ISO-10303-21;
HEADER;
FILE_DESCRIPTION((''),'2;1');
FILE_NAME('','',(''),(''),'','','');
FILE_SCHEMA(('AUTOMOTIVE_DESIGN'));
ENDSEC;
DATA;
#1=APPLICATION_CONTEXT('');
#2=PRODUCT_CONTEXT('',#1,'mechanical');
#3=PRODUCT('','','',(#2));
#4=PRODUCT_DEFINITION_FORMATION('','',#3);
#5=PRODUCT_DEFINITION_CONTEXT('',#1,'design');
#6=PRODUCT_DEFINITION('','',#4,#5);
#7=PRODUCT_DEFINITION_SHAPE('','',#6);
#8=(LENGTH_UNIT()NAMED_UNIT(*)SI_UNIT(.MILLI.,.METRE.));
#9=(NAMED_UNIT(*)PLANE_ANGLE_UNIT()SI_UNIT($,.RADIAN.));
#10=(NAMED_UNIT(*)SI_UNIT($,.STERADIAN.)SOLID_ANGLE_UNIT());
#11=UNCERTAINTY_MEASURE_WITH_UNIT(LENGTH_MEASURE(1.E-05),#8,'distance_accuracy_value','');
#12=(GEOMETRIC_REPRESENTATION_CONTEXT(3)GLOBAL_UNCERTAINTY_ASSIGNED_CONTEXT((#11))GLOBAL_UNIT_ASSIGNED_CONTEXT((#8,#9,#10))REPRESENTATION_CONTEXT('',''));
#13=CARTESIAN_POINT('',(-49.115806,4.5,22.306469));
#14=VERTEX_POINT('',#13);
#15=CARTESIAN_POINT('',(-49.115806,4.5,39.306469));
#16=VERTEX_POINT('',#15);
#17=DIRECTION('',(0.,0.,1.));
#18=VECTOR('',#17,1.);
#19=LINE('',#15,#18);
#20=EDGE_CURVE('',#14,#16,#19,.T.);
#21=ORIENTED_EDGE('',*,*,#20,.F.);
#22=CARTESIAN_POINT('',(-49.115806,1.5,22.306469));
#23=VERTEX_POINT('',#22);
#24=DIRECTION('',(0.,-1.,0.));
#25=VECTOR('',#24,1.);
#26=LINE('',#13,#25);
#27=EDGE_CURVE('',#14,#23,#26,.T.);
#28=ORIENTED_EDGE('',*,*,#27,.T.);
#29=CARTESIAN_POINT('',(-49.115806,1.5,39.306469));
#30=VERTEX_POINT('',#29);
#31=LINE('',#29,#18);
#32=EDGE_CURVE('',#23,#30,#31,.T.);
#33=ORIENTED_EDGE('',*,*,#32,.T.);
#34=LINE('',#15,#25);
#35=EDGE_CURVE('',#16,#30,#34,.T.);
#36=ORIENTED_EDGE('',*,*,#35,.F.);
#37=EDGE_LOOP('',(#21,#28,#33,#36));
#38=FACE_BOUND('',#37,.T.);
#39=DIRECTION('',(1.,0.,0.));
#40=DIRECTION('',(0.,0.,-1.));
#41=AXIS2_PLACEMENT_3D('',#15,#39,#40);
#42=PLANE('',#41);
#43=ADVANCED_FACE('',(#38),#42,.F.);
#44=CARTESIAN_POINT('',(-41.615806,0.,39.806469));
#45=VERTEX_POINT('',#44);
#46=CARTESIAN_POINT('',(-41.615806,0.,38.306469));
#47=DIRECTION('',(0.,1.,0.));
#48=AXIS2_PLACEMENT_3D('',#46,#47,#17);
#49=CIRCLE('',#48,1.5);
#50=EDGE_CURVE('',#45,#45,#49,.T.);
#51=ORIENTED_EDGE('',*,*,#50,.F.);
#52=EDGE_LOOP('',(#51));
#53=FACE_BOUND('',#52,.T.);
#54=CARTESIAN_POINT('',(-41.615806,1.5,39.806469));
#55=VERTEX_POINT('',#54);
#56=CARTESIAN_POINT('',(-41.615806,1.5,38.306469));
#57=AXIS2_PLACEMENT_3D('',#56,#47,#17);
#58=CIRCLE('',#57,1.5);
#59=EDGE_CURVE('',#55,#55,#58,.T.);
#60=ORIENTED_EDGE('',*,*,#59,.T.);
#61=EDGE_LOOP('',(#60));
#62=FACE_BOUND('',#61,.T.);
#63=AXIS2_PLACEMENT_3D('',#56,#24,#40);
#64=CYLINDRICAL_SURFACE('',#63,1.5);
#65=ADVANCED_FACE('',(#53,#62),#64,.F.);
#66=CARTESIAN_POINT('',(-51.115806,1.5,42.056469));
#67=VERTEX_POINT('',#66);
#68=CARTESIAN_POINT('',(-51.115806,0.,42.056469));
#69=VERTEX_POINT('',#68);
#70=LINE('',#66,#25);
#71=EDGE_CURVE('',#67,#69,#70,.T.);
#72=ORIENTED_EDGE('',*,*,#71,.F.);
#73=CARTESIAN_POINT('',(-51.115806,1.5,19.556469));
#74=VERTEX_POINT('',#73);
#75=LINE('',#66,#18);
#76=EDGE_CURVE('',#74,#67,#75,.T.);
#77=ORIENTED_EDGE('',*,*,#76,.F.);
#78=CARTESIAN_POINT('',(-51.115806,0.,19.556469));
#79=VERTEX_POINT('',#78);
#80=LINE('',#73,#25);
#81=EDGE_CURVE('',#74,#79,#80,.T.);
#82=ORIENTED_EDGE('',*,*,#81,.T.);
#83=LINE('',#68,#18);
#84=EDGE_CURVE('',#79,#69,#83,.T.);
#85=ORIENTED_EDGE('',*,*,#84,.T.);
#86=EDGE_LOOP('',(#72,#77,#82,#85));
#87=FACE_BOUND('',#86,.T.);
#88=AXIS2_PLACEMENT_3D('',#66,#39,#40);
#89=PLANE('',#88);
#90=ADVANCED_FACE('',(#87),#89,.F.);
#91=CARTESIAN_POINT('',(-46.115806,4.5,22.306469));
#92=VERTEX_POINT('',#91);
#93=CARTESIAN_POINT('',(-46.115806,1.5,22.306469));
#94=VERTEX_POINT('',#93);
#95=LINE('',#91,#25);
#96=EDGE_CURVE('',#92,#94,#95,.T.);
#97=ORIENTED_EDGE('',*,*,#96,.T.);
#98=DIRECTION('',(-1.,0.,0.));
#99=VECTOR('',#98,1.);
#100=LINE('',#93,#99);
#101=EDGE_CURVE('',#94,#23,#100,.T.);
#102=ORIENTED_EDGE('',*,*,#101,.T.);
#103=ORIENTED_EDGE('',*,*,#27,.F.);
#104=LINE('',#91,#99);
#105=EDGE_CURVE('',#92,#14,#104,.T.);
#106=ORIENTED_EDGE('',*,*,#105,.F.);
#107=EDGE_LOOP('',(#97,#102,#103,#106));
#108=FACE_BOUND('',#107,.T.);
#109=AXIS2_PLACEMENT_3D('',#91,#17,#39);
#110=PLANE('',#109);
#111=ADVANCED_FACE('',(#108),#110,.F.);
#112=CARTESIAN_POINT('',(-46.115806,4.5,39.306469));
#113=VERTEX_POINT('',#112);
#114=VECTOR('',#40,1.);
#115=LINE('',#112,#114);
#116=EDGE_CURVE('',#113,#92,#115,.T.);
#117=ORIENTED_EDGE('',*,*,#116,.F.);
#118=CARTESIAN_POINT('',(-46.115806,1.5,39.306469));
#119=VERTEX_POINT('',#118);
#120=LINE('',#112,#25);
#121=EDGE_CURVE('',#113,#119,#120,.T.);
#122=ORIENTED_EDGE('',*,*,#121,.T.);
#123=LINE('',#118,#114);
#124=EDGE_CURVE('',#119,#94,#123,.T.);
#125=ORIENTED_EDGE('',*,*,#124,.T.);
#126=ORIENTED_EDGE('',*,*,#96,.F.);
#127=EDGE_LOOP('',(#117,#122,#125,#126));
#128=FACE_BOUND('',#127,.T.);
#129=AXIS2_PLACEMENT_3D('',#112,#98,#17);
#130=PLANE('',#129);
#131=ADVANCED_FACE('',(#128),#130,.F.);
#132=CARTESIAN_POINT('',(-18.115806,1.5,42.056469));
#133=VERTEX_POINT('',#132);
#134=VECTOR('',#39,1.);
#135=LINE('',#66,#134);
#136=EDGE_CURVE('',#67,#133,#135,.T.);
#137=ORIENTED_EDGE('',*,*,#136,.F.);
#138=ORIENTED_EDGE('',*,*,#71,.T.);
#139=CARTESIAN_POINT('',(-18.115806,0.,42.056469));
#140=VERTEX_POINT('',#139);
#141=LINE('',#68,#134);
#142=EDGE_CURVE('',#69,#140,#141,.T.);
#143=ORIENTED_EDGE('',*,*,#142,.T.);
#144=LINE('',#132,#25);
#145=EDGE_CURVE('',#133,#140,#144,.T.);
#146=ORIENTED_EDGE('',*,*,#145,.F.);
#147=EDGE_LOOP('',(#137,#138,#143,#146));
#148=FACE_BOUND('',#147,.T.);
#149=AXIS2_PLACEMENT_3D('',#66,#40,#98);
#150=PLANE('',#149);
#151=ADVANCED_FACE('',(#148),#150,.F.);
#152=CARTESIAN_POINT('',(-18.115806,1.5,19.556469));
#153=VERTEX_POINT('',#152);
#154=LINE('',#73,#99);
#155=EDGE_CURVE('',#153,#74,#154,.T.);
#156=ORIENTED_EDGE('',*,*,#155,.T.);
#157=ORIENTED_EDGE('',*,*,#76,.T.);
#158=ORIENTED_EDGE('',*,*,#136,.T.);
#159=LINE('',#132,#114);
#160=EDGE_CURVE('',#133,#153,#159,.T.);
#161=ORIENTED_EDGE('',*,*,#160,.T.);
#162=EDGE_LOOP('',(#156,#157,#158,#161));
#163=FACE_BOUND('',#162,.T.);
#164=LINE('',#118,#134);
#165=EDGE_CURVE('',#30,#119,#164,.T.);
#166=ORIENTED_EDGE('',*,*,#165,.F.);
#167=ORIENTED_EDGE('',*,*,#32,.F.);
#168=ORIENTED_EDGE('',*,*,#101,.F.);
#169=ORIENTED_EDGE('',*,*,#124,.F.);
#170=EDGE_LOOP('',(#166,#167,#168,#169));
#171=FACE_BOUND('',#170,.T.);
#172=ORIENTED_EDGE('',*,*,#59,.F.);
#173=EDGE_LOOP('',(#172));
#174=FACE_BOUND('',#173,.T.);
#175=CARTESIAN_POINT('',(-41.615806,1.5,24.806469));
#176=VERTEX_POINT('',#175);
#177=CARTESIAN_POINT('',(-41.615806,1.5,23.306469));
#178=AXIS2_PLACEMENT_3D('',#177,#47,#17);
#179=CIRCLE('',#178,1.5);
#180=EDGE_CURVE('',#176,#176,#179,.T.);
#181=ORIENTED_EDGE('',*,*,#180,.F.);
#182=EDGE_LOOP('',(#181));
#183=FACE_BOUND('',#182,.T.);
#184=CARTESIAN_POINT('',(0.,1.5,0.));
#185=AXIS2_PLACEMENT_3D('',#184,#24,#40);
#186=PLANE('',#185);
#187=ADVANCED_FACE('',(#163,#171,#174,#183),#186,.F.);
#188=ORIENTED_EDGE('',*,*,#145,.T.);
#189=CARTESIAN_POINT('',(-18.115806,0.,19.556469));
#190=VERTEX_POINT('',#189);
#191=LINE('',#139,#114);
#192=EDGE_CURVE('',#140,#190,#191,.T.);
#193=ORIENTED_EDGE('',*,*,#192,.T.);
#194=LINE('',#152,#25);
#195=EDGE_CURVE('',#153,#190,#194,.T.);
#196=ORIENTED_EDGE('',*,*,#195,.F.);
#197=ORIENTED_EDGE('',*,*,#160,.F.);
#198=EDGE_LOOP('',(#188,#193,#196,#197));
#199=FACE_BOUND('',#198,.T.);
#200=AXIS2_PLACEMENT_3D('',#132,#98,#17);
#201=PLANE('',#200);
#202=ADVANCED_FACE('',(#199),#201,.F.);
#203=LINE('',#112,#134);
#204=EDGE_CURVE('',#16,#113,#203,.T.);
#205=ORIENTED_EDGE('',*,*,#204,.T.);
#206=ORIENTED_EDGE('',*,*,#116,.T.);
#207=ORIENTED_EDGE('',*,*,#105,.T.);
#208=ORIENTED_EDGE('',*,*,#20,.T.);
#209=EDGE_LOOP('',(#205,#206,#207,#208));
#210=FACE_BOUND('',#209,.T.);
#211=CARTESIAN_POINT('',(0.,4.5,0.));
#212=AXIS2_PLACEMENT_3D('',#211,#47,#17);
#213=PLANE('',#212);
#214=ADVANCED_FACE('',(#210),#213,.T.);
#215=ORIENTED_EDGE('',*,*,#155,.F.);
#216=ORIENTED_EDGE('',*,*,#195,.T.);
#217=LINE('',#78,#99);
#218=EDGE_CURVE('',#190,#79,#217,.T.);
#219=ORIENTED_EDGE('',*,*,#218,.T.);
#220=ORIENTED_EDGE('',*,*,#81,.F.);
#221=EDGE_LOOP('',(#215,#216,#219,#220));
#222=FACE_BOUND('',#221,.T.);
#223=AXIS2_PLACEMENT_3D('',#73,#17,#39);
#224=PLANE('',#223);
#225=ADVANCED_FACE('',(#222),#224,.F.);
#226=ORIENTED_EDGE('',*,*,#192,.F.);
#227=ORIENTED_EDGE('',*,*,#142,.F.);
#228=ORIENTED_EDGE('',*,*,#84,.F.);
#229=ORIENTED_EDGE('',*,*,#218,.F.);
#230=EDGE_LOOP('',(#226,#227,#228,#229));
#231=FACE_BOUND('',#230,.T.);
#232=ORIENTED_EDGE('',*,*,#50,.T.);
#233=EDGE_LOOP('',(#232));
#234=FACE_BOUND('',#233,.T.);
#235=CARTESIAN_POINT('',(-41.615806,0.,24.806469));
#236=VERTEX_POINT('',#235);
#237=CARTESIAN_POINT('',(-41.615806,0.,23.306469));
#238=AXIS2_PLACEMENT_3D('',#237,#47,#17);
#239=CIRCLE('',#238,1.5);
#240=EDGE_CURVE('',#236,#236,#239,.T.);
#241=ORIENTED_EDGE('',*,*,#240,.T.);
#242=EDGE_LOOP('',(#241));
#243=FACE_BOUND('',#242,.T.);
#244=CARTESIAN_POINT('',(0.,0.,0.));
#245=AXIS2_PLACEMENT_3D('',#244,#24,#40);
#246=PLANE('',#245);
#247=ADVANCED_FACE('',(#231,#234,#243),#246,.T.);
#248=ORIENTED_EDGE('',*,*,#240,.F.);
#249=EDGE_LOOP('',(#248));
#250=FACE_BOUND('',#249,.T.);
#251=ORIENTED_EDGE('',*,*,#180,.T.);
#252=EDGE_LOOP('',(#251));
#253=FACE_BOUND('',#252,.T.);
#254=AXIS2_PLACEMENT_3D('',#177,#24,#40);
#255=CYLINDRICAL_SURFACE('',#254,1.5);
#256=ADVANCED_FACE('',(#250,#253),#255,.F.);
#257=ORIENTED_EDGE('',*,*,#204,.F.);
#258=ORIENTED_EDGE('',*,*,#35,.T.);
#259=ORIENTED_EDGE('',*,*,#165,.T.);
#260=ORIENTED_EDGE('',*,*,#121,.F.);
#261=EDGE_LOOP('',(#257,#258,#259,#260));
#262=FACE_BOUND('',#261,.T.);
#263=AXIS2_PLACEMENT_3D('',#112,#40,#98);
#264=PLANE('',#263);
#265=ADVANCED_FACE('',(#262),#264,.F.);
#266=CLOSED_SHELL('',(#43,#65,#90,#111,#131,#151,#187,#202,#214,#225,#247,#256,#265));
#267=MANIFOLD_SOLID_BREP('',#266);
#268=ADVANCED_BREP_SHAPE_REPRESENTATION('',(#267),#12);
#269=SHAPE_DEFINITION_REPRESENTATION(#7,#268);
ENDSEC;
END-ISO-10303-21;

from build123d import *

# Parameters (mm, degrees)
SKETCH1_W           = 33
SKETCH1_H           = 22.5
SKETCH1_R           = 1.5
BOSS_EXTRUDE1_DEPTH = 1.5
SKETCH2_W           = 3
SKETCH2_H           = 17
BOSS_EXTRUDE2_DEPTH = 3


with BuildPart() as part:
    # Sketch1 → Boss-Extrude1 (new body)
    with BuildSketch(Plane(origin=(0, 0, 0), x_dir=(1, 0, 0), z_dir=(0, 1, 0))):
        with Locations((-34.615806323, -30.806469427)):
            Rectangle(SKETCH1_W, SKETCH1_H)
        with Locations(Location((-41.615806323, -38.306469427, 0), (0, 0, 270))):
            Circle(SKETCH1_R, mode=Mode.SUBTRACT)
        with Locations(Location((-41.615806323, -23.306469427, 0), (0, 0, 270))):
            Circle(SKETCH1_R, mode=Mode.SUBTRACT)
    extrude(amount=BOSS_EXTRUDE1_DEPTH)

    # Sketch2 → Boss-Extrude2 (add)
    with BuildSketch(Plane(origin=(0, 1.5, 0), x_dir=(1, 0, 0), z_dir=(0, 1, 0))):
        with Locations((-47.615806323, -30.806469427)):
            Rectangle(SKETCH2_W, SKETCH2_H)
    extrude(amount=BOSS_EXTRUDE2_DEPTH)


solid = part.part
